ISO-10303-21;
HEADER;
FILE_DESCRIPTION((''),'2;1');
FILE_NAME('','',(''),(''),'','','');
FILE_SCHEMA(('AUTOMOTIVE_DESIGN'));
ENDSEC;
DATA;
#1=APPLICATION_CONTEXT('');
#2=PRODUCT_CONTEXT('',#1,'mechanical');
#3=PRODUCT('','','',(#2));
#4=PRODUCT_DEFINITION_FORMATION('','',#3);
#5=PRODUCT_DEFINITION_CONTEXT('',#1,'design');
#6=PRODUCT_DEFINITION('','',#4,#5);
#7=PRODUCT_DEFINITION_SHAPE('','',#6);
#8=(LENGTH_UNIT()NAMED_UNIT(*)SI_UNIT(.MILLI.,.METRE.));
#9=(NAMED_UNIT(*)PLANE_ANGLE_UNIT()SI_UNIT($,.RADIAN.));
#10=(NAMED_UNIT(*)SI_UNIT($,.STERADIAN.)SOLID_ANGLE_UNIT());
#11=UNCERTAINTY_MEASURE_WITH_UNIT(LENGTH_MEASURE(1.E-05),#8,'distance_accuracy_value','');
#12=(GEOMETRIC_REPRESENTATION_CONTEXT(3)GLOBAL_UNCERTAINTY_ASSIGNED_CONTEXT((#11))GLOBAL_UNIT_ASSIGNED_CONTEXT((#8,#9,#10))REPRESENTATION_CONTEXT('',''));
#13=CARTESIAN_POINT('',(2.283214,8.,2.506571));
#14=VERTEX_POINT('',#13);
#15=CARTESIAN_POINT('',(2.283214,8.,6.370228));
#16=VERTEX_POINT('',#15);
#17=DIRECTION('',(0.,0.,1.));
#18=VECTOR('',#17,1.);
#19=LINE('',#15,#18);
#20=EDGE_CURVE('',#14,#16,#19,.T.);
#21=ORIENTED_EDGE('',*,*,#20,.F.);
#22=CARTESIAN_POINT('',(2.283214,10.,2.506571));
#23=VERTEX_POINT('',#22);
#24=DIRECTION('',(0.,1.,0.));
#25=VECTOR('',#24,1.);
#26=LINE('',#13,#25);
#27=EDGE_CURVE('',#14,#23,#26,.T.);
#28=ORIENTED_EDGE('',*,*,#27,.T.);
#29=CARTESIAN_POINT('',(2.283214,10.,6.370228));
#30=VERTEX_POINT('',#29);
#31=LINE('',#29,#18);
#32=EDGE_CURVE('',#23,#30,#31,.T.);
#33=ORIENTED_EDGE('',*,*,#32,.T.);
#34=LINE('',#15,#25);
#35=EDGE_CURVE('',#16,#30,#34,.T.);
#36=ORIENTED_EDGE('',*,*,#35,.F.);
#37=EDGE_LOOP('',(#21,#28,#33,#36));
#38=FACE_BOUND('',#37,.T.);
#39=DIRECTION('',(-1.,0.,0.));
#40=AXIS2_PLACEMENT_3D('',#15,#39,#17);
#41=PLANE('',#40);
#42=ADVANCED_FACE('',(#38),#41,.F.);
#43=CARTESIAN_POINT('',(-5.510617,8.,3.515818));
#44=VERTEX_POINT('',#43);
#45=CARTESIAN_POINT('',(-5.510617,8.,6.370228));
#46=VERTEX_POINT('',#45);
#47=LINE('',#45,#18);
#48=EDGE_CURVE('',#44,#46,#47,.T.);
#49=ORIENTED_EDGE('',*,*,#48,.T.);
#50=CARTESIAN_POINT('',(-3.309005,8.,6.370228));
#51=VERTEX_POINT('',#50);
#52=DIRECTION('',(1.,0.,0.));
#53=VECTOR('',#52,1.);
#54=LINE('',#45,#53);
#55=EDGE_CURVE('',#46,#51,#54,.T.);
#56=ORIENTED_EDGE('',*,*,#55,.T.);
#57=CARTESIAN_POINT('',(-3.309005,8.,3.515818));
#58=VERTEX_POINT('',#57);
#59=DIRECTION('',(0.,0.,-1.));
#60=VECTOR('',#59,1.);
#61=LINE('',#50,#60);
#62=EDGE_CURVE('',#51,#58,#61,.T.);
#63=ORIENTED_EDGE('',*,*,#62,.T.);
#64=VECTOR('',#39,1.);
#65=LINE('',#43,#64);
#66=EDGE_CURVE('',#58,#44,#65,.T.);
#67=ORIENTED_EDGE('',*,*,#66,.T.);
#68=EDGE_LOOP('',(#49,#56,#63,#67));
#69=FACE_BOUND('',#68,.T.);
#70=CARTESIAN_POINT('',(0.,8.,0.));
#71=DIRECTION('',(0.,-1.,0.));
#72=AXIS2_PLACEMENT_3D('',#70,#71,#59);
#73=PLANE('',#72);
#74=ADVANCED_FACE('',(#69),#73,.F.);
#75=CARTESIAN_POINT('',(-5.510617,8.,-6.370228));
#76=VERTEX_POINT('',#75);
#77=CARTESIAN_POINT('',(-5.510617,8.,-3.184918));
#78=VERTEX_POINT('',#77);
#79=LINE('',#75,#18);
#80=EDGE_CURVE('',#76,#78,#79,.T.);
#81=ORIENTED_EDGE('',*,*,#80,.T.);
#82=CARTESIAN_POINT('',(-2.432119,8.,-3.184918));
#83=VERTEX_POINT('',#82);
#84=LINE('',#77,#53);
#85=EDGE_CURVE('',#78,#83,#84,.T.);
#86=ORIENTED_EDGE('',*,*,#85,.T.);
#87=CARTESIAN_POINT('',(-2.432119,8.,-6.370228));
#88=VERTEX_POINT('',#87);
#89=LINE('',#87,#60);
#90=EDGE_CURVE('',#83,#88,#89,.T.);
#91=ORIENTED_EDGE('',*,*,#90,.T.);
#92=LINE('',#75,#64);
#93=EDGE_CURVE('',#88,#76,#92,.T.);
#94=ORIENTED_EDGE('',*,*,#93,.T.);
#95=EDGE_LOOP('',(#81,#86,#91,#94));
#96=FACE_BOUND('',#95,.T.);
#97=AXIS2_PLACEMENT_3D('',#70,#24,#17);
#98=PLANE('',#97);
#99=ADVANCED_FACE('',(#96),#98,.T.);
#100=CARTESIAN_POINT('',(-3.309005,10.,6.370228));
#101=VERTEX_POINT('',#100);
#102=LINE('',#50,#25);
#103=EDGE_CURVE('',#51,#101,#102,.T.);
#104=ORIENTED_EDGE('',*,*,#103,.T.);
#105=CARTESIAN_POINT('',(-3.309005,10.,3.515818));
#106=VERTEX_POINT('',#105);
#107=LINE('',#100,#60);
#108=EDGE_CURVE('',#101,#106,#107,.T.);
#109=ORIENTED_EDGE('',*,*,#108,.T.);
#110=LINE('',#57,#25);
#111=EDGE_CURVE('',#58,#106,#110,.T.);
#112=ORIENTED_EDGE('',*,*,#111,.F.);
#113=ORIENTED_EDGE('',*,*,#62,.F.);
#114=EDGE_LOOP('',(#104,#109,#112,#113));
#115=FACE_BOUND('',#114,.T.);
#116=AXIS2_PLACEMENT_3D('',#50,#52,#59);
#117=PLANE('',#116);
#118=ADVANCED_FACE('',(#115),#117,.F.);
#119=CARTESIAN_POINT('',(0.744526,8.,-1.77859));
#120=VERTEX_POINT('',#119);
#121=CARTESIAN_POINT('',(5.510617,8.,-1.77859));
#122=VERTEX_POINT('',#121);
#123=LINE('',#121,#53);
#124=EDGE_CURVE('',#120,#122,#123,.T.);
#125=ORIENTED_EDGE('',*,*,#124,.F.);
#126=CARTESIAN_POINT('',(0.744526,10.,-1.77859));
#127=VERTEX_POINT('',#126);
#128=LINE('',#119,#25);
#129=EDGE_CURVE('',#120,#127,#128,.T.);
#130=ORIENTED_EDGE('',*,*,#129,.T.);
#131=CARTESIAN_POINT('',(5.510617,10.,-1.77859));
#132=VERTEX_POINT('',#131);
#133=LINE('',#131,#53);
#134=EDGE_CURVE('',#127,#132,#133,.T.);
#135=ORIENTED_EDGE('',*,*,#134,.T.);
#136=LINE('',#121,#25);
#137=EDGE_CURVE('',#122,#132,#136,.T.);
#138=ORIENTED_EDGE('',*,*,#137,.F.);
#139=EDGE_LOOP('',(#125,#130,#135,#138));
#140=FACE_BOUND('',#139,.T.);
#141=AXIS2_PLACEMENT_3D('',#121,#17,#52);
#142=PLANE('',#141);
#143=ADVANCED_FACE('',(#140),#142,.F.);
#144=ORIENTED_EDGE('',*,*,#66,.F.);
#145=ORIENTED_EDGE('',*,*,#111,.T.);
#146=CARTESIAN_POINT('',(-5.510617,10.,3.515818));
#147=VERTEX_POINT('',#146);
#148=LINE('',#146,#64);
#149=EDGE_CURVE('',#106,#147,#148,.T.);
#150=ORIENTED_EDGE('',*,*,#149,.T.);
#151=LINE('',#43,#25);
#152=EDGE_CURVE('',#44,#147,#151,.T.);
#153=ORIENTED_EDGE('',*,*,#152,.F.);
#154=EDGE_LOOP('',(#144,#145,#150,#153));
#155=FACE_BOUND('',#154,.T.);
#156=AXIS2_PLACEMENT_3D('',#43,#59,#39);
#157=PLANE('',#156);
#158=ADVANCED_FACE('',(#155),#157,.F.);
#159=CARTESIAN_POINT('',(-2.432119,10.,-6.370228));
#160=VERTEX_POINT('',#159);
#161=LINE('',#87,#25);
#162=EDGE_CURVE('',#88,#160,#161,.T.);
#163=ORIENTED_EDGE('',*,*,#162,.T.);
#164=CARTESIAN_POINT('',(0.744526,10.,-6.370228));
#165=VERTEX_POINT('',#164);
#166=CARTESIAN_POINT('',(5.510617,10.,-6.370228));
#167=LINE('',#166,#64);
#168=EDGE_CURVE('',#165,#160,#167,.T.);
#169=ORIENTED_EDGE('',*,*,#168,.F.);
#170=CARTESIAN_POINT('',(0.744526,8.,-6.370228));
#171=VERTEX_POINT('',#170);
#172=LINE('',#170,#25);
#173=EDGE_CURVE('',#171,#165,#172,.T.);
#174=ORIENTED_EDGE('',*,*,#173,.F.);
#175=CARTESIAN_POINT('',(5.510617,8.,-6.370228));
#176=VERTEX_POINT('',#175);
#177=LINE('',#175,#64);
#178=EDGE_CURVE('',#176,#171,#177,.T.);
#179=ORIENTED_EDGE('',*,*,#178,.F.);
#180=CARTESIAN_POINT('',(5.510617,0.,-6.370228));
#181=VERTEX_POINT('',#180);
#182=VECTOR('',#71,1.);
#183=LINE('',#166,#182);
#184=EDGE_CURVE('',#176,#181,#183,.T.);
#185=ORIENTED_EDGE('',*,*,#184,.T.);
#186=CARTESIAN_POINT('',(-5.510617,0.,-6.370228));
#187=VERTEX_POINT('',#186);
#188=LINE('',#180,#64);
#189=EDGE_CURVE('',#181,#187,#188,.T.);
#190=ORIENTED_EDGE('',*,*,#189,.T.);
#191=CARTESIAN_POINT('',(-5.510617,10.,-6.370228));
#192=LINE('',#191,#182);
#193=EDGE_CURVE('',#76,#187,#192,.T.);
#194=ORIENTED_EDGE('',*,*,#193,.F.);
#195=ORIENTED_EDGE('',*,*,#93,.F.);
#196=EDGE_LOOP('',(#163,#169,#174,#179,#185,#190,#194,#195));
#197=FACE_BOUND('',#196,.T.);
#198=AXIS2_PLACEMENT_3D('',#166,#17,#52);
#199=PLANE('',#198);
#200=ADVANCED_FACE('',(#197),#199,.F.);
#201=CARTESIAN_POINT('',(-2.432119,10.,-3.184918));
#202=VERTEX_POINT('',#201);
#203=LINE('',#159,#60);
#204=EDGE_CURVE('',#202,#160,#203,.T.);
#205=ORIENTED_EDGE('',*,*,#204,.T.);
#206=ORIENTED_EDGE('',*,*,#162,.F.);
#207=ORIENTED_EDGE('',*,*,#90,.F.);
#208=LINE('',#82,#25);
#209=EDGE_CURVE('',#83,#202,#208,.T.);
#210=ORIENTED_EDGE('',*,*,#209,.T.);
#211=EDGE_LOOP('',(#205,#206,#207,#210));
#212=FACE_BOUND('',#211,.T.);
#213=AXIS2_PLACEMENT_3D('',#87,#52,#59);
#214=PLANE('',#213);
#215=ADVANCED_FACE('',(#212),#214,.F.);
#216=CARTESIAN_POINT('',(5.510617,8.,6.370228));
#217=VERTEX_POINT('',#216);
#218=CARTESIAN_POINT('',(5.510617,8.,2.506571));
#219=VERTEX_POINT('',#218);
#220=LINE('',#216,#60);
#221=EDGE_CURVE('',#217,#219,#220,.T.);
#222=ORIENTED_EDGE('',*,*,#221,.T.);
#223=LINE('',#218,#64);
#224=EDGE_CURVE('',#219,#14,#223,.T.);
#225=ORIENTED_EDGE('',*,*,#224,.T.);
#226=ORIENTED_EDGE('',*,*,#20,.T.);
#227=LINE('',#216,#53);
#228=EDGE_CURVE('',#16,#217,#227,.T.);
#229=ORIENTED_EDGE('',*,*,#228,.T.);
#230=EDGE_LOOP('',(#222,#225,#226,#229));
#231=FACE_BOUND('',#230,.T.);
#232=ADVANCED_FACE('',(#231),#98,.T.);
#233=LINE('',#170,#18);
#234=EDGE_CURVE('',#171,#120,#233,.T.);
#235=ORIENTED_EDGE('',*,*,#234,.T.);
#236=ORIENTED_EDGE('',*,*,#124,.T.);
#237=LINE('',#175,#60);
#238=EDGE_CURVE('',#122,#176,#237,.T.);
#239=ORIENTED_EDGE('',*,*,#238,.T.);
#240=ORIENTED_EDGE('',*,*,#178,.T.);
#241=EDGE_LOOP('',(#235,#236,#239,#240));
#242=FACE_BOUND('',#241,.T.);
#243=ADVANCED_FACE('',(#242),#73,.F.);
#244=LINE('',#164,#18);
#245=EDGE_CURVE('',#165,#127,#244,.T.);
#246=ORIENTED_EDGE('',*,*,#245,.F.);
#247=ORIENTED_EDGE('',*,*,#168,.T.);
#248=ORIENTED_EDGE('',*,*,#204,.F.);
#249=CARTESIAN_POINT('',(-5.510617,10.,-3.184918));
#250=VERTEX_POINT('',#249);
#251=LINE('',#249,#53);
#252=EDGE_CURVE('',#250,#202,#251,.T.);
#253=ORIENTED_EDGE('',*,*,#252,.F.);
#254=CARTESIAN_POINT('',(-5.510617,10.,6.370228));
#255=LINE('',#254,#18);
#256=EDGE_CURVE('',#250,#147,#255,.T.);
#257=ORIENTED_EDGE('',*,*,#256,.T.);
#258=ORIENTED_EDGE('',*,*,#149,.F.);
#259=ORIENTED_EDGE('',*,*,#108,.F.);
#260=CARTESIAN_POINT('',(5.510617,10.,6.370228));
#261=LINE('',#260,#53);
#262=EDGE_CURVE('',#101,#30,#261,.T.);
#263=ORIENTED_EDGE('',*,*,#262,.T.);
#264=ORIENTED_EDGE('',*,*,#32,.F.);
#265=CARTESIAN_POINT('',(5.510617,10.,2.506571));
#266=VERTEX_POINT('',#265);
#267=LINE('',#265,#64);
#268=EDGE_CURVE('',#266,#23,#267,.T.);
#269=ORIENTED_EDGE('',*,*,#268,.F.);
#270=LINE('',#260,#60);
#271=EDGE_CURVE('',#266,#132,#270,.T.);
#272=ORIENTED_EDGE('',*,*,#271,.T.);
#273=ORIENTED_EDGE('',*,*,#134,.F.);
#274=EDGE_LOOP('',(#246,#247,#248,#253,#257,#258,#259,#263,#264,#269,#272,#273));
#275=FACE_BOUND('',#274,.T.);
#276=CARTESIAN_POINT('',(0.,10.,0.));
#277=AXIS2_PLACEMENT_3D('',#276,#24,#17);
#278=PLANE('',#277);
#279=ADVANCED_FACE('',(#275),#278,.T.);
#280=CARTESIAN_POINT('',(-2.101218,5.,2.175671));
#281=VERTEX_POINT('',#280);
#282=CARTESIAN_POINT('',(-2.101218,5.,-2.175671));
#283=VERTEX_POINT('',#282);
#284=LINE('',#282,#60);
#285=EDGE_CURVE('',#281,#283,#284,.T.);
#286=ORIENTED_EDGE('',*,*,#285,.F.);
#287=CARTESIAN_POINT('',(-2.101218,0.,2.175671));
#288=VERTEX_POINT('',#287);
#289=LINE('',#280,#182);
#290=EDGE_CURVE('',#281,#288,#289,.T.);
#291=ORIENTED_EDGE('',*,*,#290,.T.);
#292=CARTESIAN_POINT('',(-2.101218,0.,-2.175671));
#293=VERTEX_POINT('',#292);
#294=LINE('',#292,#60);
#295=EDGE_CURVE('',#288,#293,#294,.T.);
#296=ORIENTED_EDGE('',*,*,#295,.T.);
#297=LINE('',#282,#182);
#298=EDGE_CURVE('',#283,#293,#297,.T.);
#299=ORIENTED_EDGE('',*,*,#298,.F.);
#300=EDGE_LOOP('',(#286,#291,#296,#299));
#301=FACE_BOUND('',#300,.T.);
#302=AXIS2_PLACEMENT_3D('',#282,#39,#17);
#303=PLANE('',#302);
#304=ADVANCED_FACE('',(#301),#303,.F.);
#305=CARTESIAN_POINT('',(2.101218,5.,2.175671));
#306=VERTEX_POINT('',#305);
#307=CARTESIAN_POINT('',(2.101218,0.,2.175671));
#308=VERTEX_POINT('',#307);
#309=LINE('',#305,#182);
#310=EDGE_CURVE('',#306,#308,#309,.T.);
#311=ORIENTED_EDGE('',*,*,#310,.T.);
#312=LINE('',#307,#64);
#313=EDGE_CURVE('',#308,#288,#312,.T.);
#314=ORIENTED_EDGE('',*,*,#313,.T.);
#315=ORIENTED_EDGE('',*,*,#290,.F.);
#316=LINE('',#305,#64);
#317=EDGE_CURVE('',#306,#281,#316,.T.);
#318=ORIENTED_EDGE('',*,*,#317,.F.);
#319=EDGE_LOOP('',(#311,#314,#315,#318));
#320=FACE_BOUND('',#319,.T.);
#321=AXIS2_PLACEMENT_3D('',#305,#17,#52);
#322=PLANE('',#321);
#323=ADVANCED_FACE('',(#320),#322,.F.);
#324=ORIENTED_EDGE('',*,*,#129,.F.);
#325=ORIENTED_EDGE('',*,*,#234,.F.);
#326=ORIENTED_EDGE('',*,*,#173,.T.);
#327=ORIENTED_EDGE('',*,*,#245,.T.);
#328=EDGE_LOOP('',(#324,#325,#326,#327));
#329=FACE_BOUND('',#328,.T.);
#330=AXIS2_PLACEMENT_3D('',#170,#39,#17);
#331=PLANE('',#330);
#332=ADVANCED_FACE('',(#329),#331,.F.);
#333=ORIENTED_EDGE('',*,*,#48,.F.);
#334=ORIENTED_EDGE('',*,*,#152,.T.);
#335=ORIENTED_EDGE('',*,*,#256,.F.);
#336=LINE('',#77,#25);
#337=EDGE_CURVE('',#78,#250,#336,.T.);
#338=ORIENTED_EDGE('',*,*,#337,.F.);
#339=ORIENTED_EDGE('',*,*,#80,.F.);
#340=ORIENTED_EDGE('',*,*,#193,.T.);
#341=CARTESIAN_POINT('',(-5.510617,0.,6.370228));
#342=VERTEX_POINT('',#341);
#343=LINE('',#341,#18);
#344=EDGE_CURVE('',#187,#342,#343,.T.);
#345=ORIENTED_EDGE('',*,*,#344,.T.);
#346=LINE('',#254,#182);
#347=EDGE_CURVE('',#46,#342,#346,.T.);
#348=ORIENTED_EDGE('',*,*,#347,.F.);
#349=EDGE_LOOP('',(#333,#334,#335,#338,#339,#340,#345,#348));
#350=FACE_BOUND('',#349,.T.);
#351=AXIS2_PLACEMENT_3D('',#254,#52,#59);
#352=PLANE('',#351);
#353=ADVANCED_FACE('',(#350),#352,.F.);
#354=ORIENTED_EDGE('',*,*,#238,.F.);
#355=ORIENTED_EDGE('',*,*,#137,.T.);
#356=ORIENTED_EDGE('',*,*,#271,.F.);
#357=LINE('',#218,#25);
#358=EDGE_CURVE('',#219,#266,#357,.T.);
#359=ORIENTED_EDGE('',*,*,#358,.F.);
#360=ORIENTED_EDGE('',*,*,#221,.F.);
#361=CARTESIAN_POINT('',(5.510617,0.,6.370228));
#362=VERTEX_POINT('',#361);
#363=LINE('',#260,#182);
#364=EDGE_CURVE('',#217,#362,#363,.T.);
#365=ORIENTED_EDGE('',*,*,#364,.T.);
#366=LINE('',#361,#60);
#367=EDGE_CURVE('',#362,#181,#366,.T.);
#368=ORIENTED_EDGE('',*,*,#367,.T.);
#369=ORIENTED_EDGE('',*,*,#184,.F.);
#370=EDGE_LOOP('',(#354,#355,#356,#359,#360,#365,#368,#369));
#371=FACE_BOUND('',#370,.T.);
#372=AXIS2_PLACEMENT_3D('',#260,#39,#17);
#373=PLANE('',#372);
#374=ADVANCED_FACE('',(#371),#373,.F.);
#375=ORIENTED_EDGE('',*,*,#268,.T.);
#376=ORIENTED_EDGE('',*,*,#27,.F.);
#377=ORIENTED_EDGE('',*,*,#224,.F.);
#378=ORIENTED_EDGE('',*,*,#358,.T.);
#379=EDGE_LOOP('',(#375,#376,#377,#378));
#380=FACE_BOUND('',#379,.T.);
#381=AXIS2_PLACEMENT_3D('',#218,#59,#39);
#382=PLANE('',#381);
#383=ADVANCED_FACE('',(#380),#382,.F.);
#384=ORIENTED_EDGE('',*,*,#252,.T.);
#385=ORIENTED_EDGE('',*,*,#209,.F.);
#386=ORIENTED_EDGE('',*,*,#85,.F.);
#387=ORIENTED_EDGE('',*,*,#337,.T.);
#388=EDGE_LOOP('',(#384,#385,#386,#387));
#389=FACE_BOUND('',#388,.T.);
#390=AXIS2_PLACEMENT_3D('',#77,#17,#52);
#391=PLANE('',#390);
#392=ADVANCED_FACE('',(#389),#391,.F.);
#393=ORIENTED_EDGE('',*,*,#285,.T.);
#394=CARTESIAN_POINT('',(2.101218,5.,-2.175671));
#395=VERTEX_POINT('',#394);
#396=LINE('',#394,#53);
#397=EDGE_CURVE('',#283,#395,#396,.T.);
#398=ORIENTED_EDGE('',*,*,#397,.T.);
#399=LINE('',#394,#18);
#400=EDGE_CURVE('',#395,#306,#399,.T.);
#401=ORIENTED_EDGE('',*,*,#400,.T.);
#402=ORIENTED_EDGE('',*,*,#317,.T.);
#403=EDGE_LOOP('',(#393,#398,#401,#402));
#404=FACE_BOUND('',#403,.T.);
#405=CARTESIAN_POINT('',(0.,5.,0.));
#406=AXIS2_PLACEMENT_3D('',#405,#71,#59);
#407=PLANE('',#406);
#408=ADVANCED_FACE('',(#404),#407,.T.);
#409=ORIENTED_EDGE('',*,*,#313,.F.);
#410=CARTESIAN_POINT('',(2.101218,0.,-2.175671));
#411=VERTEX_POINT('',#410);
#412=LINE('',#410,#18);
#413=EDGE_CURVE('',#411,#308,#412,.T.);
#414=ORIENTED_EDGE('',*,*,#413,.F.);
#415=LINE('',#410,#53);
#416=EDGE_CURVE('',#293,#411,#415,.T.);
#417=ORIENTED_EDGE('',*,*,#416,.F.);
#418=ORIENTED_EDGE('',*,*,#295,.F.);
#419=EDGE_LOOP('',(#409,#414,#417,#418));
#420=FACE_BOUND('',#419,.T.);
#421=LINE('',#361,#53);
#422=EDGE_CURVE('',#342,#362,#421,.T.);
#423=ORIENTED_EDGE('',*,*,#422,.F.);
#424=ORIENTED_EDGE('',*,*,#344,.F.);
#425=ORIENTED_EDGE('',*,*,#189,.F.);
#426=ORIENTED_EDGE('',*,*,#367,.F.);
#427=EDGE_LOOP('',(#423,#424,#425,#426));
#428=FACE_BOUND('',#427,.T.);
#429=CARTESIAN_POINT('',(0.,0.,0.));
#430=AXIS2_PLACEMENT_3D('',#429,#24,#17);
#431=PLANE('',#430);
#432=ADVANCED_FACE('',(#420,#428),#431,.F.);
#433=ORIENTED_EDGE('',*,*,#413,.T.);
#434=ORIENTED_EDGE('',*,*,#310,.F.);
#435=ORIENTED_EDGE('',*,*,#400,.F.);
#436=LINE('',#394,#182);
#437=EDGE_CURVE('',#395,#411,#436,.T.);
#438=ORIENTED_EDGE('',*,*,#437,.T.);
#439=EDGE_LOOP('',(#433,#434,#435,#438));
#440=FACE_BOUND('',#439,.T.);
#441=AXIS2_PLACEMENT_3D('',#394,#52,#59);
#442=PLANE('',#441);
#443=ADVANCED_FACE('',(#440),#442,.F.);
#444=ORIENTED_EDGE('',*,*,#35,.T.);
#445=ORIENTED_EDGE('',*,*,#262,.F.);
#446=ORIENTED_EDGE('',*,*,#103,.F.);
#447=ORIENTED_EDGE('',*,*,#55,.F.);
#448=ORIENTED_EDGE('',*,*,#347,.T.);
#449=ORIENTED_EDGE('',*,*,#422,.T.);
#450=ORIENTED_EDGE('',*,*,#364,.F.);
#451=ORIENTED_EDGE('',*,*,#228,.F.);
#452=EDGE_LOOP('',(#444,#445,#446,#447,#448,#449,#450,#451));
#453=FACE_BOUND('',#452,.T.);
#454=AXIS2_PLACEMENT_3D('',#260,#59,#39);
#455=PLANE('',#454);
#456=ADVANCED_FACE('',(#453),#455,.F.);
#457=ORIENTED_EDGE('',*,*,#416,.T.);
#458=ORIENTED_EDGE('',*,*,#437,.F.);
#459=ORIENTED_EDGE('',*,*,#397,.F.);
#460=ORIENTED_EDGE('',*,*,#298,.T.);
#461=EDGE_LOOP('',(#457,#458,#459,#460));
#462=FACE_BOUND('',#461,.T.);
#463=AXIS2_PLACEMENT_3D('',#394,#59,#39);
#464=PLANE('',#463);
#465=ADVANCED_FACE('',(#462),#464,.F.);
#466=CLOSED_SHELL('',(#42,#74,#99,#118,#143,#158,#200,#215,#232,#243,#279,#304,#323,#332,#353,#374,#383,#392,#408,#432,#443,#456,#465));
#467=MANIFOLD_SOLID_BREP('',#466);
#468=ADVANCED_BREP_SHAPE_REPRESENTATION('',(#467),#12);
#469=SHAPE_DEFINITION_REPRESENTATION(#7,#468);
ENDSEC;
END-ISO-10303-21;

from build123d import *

# Parameters (mm, degrees)
SKETCH1_W           = 11.021234102
SKETCH1_H           = 12.740456306
BOSS_EXTRUDE1_DEPTH = 10
SKETCH2_W           = 2.201611783
SKETCH2_H           = 2.854410055
SKETCH2_W_2         = 3.227403416
SKETCH2_H_2         = 3.863656662
SKETCH2_W_3         = 3.078498179
SKETCH2_H_3         = 3.185310582
SKETCH2_W_4         = 4.766090866
SKETCH2_H_4         = 4.591637821
CUT_EXTRUDE1_DEPTH  = 2
SKETCH3_W           = 4.20243669
SKETCH3_H           = 4.351341928
CUT_EXTRUDE2_DEPTH  = 5


with BuildPart() as part:
    # Sketch1 → Boss-Extrude1 (new body)
    with BuildSketch(Plane(origin=(0, 0, 0), x_dir=(1, 0, 0), z_dir=(0, 1, 0))):
        Rectangle(SKETCH1_W, SKETCH1_H)
    extrude(amount=BOSS_EXTRUDE1_DEPTH)

    # Sketch2 → Cut-Extrude1 (cut)
    with BuildSketch(Plane(origin=(0, 10, 0), x_dir=(1, 0, 0), z_dir=(0, 1, 0))):
        with Locations((-4.40981116, -4.943023125)):
            Rectangle(SKETCH2_W, SKETCH2_H)
        with Locations((3.896915343, -4.438399822)):
            Rectangle(SKETCH2_W_2, SKETCH2_H_2)
        with Locations((-3.971367962, 4.777572862)):
            Rectangle(SKETCH2_W_3, SKETCH2_H_3)
        with Locations((3.127571618, 4.074409242)):
            Rectangle(SKETCH2_W_4, SKETCH2_H_4)
    extrude(amount=-CUT_EXTRUDE1_DEPTH, mode=Mode.SUBTRACT)

    # Sketch3 → Cut-Extrude2 (cut)
    with BuildSketch(Plane.XZ):
        Rectangle(SKETCH3_W, SKETCH3_H)
    extrude(amount=-CUT_EXTRUDE2_DEPTH, mode=Mode.SUBTRACT)


solid = part.part
